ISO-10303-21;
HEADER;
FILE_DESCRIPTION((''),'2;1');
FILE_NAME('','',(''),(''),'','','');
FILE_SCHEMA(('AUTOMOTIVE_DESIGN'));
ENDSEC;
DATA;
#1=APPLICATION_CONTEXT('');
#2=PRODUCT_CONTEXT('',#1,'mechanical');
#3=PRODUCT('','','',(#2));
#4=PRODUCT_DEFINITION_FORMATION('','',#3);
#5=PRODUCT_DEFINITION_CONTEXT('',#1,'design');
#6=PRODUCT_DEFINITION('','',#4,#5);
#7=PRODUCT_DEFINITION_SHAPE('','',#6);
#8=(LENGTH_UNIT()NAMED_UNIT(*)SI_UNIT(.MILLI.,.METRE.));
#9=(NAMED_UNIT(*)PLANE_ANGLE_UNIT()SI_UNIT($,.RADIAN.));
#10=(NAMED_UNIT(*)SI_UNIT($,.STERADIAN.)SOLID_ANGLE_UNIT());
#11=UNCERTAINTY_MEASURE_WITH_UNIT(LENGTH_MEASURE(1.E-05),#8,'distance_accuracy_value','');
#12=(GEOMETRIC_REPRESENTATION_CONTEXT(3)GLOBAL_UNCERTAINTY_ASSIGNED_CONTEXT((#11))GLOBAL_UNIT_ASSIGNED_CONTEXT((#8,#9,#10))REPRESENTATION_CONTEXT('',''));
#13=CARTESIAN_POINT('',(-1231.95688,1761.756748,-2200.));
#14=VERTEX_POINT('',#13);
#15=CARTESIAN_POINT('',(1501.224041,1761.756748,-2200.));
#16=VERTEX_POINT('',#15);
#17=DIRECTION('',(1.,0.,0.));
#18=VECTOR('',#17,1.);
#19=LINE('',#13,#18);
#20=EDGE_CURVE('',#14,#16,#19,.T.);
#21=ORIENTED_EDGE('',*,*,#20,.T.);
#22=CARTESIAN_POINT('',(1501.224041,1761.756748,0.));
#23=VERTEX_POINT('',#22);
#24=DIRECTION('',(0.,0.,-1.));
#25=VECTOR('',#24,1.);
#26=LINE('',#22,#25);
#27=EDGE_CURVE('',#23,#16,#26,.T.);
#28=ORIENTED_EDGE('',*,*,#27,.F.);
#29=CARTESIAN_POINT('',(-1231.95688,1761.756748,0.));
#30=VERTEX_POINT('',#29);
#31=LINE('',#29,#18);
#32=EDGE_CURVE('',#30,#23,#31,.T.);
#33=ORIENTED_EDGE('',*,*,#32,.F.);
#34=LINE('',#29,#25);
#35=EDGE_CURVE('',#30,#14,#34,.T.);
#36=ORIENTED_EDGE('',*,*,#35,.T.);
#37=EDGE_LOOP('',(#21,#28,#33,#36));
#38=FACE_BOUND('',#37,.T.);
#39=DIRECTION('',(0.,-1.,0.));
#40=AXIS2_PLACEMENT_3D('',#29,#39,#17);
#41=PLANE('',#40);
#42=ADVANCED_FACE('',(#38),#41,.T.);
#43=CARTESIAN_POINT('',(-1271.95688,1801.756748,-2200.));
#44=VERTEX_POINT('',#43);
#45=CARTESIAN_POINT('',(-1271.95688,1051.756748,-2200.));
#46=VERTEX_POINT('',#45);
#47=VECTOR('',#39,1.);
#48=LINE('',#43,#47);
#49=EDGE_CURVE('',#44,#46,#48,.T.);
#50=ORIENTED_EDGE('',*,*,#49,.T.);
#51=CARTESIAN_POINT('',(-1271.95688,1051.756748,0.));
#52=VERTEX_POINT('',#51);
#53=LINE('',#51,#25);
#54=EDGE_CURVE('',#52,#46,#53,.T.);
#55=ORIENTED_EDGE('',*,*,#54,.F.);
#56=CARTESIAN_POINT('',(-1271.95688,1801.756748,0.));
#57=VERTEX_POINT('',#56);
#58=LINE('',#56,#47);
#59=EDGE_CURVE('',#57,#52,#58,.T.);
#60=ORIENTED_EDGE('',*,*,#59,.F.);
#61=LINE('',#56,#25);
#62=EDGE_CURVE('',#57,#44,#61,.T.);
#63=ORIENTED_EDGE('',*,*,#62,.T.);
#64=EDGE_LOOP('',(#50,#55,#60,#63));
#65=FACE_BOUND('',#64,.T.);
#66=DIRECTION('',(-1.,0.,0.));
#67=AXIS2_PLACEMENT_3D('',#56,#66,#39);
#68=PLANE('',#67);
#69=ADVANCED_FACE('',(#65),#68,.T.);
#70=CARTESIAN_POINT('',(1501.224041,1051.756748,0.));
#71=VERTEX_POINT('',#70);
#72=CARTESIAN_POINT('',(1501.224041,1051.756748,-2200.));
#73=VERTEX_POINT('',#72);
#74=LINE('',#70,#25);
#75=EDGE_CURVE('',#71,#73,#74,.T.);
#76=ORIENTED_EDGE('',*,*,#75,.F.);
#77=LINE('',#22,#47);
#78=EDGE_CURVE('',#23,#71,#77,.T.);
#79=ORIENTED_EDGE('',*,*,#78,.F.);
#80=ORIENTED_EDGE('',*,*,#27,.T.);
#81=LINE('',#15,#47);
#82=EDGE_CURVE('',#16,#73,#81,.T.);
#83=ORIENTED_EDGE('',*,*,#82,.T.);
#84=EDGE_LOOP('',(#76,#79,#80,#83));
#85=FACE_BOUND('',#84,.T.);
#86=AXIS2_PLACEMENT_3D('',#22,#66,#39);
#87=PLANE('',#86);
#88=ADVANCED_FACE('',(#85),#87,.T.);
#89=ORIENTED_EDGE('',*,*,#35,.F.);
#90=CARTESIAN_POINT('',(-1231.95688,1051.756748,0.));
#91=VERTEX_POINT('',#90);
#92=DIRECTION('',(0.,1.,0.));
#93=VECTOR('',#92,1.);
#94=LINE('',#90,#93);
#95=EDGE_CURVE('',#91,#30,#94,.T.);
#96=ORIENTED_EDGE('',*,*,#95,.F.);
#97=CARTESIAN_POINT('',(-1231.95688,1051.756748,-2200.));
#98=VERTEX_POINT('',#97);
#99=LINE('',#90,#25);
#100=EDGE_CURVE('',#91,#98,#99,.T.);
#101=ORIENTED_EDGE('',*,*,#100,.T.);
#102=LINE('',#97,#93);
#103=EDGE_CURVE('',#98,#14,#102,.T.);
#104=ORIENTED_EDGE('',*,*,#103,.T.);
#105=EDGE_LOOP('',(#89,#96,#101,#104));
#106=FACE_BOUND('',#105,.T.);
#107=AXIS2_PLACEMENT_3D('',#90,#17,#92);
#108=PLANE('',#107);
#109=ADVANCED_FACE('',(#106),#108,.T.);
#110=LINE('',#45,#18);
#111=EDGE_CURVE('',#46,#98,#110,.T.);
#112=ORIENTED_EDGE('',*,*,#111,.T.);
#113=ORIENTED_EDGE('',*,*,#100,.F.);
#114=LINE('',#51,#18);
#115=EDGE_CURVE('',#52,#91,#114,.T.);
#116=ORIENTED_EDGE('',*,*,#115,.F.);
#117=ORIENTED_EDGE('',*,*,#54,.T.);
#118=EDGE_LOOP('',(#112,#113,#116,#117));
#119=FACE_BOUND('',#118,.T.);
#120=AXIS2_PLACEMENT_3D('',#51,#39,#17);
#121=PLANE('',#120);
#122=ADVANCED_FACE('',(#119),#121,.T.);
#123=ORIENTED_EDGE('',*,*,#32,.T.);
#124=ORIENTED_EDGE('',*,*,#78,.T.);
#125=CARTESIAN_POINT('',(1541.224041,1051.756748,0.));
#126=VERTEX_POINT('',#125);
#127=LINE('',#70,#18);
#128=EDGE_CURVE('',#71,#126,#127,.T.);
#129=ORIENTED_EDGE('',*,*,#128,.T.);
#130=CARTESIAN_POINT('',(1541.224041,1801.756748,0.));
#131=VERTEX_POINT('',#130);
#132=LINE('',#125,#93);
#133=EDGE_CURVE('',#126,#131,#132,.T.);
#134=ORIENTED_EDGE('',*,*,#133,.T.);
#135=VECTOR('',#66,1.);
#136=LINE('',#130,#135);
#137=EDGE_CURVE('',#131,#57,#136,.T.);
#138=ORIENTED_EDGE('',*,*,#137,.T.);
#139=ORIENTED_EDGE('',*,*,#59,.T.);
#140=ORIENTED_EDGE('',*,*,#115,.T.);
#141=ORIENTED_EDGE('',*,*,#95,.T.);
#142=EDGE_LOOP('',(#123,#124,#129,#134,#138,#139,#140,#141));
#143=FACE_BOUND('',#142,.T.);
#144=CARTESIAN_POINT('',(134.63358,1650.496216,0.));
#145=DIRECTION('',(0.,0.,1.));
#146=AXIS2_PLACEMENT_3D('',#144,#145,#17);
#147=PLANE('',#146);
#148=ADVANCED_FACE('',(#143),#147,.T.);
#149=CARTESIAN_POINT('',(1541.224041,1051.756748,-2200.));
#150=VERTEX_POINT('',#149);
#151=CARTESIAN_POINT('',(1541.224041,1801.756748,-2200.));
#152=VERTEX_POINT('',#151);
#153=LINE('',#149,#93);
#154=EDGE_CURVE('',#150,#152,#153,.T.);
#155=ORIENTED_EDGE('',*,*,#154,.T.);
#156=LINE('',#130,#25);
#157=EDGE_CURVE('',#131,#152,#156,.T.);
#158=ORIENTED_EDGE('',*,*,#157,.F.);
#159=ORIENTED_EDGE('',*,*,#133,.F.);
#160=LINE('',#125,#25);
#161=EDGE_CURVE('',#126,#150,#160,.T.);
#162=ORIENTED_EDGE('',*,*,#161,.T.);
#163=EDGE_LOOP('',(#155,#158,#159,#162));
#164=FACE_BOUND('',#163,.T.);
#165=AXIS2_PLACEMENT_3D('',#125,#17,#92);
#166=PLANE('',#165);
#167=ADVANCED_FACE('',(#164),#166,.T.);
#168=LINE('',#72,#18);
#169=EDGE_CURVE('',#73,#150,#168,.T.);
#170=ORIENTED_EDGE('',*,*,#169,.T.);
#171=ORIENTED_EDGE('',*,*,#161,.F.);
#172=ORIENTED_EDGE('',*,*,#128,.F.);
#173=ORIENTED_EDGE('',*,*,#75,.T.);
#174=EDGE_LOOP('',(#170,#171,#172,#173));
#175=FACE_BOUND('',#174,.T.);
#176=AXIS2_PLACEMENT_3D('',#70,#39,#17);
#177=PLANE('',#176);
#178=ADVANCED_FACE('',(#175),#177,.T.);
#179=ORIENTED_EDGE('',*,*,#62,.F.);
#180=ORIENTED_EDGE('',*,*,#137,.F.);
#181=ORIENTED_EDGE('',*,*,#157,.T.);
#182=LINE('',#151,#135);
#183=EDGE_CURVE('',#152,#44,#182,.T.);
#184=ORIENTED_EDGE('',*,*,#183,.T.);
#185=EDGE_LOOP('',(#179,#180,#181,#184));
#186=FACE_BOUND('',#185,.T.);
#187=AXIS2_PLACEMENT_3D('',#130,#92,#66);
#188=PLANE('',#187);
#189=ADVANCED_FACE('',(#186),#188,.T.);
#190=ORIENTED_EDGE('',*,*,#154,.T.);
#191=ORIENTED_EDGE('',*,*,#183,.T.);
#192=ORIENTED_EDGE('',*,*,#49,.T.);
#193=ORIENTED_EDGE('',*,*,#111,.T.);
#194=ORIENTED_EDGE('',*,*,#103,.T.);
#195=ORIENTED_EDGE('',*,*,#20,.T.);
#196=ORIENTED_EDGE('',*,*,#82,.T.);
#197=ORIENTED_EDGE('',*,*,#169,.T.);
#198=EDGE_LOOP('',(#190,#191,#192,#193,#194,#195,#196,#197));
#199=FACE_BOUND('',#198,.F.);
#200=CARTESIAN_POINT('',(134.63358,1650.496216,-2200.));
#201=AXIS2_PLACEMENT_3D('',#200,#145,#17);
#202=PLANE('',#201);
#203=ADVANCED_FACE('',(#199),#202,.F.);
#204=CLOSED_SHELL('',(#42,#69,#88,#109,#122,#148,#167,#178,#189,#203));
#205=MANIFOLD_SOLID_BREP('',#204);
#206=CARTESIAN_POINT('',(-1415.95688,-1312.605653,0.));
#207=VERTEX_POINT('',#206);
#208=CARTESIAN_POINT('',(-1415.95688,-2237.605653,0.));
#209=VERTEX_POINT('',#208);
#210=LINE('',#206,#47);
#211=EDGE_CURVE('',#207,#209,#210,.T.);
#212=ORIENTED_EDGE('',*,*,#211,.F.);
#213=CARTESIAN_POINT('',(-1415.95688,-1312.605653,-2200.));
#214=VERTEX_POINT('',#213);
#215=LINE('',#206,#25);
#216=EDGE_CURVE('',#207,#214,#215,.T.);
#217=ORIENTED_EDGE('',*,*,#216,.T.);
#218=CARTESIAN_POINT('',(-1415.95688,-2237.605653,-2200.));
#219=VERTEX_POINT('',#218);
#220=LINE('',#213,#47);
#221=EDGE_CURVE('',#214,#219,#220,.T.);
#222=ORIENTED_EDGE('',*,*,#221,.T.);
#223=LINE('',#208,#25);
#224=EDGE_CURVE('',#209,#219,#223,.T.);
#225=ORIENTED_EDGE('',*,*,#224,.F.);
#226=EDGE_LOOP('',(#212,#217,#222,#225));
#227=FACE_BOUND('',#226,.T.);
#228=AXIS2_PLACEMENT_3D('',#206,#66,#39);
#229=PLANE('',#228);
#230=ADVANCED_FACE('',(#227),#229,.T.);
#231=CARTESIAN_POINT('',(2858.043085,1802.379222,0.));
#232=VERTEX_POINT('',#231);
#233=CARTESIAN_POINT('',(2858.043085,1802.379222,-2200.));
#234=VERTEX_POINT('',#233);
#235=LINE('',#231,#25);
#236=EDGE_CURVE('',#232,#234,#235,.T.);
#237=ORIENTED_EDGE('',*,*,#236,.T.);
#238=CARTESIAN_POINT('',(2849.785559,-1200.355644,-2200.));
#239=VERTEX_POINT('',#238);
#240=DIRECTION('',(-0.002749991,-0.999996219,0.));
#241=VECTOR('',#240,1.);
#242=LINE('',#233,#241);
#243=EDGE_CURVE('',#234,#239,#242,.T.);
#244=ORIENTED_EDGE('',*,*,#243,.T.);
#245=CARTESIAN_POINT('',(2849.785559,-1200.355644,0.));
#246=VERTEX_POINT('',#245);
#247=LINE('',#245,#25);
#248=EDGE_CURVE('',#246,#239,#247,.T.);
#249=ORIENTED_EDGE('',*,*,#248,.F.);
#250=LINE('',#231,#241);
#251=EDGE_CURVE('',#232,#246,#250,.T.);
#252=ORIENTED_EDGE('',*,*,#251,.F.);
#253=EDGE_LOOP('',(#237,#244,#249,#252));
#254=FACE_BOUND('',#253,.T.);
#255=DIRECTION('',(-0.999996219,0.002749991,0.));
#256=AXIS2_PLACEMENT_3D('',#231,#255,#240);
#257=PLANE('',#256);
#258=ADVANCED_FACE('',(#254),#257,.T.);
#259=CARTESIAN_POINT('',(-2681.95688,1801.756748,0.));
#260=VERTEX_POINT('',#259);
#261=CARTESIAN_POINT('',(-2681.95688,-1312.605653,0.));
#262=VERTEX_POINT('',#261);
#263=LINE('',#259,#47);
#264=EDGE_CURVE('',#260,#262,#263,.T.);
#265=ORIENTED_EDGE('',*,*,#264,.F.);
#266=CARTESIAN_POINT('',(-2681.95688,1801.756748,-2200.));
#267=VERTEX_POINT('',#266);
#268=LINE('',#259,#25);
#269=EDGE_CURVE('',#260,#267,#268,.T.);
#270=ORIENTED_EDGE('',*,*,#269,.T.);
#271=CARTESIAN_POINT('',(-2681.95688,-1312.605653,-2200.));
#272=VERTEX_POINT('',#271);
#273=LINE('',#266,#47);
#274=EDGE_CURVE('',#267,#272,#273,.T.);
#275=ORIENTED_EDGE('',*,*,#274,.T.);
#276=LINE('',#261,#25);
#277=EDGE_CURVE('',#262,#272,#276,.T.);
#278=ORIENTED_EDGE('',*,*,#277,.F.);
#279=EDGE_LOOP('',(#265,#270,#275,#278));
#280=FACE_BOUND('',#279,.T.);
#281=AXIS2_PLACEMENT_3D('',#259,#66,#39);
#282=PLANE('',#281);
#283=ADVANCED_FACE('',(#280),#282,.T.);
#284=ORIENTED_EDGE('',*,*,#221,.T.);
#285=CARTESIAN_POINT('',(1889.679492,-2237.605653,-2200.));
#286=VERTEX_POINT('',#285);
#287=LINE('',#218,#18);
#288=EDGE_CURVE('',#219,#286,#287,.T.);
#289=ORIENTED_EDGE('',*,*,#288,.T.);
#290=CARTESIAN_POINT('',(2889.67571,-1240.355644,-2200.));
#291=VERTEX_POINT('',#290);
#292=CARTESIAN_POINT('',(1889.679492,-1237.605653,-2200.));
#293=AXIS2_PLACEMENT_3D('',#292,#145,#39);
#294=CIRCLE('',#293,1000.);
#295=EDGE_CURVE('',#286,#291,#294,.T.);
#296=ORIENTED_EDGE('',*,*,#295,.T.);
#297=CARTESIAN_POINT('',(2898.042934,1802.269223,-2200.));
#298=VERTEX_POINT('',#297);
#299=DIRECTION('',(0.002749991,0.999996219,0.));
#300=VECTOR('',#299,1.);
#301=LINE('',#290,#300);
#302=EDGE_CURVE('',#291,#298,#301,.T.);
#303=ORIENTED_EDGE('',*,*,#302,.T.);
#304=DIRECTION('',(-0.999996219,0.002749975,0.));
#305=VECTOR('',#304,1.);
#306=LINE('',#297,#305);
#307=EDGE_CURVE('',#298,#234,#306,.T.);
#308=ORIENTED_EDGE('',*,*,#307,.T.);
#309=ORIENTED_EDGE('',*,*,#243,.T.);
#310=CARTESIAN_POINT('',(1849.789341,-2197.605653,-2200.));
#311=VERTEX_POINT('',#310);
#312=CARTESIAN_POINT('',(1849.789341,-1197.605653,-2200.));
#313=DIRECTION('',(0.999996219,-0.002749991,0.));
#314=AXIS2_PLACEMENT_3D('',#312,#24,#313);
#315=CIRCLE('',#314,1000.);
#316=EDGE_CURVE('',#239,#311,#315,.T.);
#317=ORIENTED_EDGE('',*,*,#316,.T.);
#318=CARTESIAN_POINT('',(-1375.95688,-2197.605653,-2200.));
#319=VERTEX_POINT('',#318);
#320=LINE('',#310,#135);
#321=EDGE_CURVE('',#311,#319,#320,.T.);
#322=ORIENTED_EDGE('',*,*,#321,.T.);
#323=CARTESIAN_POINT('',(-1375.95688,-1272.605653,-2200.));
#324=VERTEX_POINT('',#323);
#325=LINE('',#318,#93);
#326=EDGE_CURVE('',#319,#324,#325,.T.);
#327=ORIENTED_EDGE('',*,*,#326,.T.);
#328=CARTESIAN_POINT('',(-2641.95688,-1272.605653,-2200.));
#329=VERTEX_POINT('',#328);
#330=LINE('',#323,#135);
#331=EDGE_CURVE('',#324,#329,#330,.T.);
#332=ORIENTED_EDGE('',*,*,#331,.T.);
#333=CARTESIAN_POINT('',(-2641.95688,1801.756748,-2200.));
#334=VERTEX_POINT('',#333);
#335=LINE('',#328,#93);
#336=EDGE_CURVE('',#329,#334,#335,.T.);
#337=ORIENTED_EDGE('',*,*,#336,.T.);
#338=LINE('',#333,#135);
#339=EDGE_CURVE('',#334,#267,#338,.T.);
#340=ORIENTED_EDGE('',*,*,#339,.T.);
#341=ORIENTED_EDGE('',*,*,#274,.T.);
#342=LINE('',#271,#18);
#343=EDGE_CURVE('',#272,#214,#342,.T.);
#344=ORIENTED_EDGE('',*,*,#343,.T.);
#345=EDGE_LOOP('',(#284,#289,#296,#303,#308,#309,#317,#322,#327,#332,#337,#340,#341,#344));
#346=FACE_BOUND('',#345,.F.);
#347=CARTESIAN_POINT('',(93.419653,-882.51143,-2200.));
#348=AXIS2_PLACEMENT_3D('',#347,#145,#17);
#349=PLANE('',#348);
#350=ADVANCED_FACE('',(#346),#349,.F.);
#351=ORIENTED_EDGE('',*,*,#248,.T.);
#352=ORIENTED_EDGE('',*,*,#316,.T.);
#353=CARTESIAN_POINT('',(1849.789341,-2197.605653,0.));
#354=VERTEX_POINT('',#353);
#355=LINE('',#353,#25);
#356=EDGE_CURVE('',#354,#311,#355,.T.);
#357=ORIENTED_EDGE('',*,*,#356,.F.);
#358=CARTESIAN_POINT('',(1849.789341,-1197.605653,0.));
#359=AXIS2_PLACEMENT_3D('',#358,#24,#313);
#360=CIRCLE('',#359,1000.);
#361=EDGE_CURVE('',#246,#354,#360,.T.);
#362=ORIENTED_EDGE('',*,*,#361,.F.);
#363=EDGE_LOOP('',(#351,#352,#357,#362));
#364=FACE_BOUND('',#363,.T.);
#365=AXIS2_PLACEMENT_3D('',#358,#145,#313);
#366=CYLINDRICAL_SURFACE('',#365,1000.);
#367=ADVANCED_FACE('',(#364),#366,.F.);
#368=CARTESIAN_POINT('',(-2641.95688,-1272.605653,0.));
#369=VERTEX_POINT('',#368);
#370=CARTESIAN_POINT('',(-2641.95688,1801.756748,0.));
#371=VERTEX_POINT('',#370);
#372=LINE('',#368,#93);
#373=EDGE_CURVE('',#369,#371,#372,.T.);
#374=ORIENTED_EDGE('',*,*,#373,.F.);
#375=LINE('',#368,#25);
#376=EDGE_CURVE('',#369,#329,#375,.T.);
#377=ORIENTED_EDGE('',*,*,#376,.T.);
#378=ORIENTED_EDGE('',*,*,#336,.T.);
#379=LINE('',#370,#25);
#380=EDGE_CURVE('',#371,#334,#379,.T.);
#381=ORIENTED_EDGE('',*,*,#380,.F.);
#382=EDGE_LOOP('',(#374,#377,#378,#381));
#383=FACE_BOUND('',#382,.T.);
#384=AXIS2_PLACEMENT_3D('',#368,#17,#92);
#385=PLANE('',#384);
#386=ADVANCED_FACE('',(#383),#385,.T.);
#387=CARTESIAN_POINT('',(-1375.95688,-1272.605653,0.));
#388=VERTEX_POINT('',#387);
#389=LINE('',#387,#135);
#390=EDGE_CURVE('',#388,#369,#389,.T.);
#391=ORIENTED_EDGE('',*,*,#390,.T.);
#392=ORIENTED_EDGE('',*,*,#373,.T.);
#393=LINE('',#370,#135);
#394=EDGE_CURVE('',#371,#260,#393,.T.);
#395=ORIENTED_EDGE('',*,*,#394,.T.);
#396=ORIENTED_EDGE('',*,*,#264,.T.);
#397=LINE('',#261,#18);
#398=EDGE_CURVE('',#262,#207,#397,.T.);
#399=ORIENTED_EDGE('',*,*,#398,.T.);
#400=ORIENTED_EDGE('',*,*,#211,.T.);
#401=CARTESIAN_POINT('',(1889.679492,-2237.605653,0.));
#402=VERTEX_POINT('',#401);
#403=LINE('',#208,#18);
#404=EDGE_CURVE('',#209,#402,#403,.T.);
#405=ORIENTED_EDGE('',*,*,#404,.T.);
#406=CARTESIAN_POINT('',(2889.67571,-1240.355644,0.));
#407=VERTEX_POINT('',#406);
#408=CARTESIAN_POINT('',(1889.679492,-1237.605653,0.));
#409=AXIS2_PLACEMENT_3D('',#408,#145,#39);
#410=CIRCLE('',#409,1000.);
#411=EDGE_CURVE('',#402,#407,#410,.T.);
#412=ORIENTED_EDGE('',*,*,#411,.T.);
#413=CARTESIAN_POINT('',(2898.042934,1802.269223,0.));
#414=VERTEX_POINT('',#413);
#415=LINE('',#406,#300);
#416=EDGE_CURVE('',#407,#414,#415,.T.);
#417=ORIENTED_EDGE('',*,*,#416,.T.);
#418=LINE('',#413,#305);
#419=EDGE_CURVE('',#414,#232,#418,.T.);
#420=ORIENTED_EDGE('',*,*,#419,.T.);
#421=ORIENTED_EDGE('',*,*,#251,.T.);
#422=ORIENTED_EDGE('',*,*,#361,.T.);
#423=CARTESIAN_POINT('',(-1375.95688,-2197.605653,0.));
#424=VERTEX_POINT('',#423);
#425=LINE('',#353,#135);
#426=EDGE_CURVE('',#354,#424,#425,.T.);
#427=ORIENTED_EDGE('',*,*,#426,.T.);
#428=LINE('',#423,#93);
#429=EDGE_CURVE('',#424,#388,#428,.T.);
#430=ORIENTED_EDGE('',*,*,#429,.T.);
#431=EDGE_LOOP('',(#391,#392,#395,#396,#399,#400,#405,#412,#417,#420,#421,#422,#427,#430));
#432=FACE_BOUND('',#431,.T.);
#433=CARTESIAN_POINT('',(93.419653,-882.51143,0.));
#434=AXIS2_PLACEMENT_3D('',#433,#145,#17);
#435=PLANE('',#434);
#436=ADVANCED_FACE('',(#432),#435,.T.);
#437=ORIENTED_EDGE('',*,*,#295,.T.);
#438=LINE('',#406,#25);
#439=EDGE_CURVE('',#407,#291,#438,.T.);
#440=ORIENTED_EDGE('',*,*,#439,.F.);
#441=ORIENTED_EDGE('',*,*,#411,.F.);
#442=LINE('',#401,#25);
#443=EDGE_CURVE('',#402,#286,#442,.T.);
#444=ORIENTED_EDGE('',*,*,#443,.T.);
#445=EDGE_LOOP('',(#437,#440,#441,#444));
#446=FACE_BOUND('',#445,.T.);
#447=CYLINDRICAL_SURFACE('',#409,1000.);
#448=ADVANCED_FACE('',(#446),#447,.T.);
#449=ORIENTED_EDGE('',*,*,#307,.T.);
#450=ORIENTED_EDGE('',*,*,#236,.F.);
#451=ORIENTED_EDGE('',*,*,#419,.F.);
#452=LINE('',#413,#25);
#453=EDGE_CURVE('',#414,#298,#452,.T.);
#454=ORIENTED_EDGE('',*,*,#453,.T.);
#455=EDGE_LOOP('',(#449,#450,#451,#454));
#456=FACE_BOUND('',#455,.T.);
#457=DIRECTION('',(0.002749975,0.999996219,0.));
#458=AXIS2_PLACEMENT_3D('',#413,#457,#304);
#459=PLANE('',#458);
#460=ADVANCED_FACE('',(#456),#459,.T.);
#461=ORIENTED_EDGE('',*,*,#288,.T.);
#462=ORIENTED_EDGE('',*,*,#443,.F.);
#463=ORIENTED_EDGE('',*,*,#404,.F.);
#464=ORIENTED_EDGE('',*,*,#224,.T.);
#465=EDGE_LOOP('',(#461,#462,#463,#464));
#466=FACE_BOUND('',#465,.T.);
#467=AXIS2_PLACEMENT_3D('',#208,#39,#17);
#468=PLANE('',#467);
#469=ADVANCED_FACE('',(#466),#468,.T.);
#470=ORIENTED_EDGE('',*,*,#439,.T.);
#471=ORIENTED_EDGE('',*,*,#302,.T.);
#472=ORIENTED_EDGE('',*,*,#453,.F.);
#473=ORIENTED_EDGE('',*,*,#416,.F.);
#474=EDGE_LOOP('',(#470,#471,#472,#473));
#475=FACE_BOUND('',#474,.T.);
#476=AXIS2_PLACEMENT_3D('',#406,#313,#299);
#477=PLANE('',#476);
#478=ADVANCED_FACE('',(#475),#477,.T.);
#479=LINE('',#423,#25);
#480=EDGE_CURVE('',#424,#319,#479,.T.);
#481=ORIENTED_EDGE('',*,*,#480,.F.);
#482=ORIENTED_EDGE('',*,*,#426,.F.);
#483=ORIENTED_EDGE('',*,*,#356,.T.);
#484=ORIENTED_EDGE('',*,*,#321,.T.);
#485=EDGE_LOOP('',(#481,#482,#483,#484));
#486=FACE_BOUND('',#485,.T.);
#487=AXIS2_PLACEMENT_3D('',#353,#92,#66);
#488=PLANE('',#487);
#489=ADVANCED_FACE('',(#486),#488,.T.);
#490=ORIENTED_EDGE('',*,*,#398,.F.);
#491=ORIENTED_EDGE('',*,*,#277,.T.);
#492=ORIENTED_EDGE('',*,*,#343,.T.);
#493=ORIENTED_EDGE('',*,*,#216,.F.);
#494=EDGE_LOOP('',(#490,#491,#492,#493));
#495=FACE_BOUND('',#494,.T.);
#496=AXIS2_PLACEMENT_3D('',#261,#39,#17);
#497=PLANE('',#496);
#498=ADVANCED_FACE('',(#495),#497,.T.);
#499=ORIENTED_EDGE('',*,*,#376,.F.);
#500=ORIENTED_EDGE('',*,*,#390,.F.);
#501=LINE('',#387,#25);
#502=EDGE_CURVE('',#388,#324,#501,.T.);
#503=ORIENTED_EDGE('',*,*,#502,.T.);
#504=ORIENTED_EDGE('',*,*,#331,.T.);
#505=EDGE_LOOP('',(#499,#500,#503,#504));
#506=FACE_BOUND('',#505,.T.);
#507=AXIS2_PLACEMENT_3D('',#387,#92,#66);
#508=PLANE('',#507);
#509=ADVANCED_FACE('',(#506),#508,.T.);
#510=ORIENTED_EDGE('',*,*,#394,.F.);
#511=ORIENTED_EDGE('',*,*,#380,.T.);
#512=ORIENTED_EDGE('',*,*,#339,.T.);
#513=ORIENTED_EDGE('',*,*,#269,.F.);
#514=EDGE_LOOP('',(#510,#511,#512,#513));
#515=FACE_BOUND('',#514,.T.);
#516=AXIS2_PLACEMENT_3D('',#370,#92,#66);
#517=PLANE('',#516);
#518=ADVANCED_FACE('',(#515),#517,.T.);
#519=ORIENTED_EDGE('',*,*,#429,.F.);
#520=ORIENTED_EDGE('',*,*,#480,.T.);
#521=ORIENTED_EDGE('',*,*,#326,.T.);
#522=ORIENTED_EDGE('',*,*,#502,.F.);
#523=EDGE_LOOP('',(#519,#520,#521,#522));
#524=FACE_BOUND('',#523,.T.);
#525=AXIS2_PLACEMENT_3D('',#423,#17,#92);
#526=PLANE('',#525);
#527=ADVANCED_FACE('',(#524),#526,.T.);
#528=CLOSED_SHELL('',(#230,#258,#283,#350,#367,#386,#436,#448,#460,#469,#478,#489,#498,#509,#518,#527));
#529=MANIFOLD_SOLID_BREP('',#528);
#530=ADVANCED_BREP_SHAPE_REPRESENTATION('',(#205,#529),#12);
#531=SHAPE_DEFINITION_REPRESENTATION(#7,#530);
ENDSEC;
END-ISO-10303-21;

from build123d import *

# Parameters (mm, degrees)
F1_DEPTH = 2200


with BuildPart() as f1:
    # F0 (on Top) → F1 (new body)
    with BuildSketch(Plane.XY):
        with BuildLine():
            Line((2898.042934, 1802.269223), (2858.043085, 1802.379222))
            Line((2858.043085, 1802.379222), (2849.785559, -1200.355644))
            ThreePointArc((2849.785559, -1200.355644), (2555.923184, -1905.684035), (1849.789341, -2197.605653))
            Line((1849.789341, -2197.605653), (-1375.95688, -2197.605653))
            Line((-1375.95688, -2197.605653), (-1375.95688, -1272.605653))
            Line((-1375.95688, -1272.605653), (-2641.95688, -1272.605653))
            Line((-2641.95688, -1272.605653), (-2641.95688, 1801.756748))
            Line((-2641.95688, 1801.756748), (-2681.95688, 1801.756748))
            Line((-2681.95688, 1801.756748), (-2681.95688, -1312.605653))
            Line((-2681.95688, -1312.605653), (-1415.95688, -1312.605653))
            Line((-1415.95688, -1312.605653), (-1415.95688, -2237.605653))
            Line((-1415.95688, -2237.605653), (1889.679492, -2237.605653))
            ThreePointArc((1889.679492, -2237.605653), (2595.813335, -1945.684035), (2889.67571, -1240.355644))
            Line((2889.67571, -1240.355644), (2898.042934, 1802.269223))
        make_face()
        Polygon((1541.224041, 1051.756748), (1541.224041, 1801.756748), (-1271.95688, 1801.756748), (-1271.95688, 1051.756748), (-1231.95688, 1051.756748), (-1231.95688, 1761.756748), (1501.224041, 1761.756748), (1501.224041, 1051.756748), align=None)
    extrude(amount=-F1_DEPTH)


solid = f1.part
